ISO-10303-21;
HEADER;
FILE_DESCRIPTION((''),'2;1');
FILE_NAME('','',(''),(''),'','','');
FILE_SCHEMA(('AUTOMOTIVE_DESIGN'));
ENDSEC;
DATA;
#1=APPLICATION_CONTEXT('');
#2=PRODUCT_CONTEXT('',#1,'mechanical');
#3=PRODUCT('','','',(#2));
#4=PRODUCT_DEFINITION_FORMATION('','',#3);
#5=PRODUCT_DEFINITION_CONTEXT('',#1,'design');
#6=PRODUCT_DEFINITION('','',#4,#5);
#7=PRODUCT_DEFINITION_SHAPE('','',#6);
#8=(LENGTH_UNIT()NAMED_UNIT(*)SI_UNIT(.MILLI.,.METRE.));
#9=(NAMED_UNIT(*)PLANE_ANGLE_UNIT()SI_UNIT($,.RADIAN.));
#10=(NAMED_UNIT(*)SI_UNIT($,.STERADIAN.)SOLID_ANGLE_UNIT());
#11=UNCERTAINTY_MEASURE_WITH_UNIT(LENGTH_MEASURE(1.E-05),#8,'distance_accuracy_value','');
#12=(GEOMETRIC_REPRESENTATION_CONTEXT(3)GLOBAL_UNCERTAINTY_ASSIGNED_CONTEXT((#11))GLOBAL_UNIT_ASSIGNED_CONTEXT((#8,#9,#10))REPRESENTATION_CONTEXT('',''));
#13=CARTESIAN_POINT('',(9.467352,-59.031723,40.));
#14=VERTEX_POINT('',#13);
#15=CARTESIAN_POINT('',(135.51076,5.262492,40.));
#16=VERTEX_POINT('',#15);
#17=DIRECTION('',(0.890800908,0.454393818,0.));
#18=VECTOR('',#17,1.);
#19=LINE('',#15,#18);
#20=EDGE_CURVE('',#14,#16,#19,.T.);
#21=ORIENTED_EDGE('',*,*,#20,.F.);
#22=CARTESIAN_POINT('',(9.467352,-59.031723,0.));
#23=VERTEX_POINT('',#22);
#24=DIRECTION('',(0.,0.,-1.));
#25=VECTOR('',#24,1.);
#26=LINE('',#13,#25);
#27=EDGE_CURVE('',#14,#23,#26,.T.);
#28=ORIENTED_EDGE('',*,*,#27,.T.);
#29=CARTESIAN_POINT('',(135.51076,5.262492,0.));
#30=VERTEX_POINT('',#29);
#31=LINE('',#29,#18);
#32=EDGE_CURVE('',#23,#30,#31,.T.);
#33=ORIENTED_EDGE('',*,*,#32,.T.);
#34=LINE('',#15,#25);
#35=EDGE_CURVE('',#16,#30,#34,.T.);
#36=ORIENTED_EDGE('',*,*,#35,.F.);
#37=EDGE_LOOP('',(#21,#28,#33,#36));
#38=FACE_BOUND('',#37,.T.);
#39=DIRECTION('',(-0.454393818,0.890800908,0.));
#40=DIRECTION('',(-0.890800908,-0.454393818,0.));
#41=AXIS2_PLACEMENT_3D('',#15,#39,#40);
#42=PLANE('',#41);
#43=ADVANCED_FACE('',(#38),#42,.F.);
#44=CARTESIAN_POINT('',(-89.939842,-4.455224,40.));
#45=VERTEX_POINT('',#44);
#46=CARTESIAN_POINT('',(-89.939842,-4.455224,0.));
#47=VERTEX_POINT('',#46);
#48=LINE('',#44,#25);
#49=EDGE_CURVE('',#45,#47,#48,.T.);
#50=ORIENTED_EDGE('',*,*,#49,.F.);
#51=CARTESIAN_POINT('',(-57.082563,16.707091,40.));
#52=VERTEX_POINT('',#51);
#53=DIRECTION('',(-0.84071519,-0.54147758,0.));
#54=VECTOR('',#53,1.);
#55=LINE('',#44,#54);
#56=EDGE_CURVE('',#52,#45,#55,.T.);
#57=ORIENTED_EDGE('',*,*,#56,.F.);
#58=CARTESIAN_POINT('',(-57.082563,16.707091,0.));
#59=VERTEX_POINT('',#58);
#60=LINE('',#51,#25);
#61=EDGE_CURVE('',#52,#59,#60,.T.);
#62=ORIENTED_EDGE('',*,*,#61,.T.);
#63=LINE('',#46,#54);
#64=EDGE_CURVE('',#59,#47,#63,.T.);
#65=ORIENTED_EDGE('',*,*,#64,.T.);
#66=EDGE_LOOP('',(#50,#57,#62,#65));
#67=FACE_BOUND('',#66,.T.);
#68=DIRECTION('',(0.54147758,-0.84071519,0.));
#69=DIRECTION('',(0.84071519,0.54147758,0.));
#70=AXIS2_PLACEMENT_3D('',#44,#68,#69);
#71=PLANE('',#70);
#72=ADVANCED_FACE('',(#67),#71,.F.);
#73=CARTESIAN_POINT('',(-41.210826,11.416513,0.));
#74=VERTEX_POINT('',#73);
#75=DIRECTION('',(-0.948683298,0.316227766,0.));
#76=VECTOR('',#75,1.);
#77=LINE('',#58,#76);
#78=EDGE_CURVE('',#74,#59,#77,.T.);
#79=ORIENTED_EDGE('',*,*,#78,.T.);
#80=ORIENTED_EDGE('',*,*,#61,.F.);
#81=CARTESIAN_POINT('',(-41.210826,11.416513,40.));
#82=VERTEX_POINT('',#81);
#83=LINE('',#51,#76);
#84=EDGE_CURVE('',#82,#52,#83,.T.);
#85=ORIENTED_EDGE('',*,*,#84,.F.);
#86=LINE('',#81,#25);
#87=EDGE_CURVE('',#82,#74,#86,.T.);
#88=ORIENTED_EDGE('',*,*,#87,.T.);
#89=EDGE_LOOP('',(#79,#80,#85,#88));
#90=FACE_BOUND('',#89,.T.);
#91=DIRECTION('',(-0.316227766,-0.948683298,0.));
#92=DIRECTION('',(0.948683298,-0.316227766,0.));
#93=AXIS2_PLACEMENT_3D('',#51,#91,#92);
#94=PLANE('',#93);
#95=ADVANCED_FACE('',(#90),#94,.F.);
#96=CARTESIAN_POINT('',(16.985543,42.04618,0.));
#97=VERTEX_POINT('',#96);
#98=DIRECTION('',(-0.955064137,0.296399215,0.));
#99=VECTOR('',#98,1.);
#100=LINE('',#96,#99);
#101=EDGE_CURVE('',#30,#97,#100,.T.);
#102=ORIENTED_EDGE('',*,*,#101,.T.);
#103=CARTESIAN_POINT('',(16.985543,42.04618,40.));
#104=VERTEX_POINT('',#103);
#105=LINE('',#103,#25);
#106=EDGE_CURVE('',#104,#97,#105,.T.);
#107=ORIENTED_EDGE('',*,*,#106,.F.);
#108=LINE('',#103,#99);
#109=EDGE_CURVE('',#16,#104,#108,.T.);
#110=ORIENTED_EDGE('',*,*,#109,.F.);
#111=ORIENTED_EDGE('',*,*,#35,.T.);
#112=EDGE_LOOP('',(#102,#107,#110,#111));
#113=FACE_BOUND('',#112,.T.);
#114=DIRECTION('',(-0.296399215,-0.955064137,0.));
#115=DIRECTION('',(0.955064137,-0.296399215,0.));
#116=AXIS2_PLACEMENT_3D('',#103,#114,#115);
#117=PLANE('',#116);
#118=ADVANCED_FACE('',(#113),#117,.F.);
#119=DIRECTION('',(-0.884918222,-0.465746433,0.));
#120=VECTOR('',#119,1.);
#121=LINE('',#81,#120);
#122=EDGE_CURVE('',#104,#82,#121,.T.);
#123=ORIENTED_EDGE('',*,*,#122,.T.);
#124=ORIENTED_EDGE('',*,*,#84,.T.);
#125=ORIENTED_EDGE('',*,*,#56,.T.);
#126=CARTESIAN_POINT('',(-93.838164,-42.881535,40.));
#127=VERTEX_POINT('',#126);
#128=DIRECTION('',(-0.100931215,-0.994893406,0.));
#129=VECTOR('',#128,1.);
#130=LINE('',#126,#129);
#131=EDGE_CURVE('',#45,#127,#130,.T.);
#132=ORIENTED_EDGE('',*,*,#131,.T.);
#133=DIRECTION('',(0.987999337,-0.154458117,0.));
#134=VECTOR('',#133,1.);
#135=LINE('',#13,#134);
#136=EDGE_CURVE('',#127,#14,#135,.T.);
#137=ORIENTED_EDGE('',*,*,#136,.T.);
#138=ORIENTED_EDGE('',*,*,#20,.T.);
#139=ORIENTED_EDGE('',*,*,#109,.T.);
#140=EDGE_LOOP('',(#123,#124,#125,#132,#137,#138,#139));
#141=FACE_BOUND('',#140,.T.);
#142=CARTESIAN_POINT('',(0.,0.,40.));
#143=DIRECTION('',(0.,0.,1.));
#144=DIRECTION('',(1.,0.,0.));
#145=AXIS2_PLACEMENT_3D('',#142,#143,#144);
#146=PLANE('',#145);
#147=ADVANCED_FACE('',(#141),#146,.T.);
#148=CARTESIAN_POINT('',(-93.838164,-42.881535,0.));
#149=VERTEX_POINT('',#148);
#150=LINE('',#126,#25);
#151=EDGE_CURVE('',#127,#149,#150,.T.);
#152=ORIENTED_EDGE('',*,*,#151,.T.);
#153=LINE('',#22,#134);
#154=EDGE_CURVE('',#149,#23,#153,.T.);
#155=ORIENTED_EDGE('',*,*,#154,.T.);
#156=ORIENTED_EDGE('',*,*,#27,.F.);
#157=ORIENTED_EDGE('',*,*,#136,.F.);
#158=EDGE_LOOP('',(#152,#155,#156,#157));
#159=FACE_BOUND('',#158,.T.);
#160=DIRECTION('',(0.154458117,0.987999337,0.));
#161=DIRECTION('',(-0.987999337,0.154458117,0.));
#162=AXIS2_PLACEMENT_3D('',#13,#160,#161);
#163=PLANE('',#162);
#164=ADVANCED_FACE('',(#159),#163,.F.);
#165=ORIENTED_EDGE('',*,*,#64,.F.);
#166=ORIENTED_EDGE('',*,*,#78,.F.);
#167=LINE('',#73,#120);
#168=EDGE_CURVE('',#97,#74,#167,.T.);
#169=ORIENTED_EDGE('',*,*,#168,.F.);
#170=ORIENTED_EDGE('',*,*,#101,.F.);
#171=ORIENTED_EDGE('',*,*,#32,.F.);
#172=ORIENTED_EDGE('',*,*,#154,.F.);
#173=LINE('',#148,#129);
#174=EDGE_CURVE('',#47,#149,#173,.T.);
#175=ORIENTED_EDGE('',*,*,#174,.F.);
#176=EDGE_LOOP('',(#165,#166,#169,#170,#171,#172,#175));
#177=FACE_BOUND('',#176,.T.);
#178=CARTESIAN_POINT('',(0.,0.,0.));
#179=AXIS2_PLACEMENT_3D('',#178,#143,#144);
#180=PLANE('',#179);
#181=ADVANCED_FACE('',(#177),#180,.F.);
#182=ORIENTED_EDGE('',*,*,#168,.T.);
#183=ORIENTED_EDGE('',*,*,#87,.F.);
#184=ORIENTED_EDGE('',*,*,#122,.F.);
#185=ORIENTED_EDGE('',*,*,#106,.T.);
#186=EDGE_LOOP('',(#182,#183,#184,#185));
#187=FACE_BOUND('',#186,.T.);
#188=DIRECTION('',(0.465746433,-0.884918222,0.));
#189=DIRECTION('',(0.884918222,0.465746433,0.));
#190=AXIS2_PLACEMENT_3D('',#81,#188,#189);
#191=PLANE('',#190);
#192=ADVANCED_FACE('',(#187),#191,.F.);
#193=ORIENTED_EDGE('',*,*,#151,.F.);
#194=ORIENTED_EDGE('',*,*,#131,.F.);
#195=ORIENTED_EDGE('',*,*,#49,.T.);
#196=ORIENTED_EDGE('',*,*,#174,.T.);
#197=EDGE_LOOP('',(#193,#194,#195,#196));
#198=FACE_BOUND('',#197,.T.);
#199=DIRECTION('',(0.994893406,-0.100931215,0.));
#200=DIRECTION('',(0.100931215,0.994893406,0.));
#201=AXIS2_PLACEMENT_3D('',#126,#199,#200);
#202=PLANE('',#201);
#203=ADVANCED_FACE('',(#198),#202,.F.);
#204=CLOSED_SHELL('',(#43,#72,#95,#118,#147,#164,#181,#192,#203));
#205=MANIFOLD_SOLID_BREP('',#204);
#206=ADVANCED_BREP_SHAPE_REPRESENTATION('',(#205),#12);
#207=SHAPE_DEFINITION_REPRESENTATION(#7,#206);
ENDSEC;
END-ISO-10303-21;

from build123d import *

# Parameters (mm, degrees)
BOSS_EXTRUDE1_DEPTH = 40


with BuildPart() as part:
    # Sketch1 → Boss-Extrude1 (new body)
    with BuildSketch(Plane.XY):
        Polygon((-41.210825625, 11.416512504), (16.985542994, 42.046180199), (135.510759858, 5.262492206), (9.467351833, -59.031723193), (-93.838163755, -42.881534772), (-89.939842412, -4.455224392), (-57.082562521, 16.70709147), align=None)
    extrude(amount=BOSS_EXTRUDE1_DEPTH)


solid = part.part
